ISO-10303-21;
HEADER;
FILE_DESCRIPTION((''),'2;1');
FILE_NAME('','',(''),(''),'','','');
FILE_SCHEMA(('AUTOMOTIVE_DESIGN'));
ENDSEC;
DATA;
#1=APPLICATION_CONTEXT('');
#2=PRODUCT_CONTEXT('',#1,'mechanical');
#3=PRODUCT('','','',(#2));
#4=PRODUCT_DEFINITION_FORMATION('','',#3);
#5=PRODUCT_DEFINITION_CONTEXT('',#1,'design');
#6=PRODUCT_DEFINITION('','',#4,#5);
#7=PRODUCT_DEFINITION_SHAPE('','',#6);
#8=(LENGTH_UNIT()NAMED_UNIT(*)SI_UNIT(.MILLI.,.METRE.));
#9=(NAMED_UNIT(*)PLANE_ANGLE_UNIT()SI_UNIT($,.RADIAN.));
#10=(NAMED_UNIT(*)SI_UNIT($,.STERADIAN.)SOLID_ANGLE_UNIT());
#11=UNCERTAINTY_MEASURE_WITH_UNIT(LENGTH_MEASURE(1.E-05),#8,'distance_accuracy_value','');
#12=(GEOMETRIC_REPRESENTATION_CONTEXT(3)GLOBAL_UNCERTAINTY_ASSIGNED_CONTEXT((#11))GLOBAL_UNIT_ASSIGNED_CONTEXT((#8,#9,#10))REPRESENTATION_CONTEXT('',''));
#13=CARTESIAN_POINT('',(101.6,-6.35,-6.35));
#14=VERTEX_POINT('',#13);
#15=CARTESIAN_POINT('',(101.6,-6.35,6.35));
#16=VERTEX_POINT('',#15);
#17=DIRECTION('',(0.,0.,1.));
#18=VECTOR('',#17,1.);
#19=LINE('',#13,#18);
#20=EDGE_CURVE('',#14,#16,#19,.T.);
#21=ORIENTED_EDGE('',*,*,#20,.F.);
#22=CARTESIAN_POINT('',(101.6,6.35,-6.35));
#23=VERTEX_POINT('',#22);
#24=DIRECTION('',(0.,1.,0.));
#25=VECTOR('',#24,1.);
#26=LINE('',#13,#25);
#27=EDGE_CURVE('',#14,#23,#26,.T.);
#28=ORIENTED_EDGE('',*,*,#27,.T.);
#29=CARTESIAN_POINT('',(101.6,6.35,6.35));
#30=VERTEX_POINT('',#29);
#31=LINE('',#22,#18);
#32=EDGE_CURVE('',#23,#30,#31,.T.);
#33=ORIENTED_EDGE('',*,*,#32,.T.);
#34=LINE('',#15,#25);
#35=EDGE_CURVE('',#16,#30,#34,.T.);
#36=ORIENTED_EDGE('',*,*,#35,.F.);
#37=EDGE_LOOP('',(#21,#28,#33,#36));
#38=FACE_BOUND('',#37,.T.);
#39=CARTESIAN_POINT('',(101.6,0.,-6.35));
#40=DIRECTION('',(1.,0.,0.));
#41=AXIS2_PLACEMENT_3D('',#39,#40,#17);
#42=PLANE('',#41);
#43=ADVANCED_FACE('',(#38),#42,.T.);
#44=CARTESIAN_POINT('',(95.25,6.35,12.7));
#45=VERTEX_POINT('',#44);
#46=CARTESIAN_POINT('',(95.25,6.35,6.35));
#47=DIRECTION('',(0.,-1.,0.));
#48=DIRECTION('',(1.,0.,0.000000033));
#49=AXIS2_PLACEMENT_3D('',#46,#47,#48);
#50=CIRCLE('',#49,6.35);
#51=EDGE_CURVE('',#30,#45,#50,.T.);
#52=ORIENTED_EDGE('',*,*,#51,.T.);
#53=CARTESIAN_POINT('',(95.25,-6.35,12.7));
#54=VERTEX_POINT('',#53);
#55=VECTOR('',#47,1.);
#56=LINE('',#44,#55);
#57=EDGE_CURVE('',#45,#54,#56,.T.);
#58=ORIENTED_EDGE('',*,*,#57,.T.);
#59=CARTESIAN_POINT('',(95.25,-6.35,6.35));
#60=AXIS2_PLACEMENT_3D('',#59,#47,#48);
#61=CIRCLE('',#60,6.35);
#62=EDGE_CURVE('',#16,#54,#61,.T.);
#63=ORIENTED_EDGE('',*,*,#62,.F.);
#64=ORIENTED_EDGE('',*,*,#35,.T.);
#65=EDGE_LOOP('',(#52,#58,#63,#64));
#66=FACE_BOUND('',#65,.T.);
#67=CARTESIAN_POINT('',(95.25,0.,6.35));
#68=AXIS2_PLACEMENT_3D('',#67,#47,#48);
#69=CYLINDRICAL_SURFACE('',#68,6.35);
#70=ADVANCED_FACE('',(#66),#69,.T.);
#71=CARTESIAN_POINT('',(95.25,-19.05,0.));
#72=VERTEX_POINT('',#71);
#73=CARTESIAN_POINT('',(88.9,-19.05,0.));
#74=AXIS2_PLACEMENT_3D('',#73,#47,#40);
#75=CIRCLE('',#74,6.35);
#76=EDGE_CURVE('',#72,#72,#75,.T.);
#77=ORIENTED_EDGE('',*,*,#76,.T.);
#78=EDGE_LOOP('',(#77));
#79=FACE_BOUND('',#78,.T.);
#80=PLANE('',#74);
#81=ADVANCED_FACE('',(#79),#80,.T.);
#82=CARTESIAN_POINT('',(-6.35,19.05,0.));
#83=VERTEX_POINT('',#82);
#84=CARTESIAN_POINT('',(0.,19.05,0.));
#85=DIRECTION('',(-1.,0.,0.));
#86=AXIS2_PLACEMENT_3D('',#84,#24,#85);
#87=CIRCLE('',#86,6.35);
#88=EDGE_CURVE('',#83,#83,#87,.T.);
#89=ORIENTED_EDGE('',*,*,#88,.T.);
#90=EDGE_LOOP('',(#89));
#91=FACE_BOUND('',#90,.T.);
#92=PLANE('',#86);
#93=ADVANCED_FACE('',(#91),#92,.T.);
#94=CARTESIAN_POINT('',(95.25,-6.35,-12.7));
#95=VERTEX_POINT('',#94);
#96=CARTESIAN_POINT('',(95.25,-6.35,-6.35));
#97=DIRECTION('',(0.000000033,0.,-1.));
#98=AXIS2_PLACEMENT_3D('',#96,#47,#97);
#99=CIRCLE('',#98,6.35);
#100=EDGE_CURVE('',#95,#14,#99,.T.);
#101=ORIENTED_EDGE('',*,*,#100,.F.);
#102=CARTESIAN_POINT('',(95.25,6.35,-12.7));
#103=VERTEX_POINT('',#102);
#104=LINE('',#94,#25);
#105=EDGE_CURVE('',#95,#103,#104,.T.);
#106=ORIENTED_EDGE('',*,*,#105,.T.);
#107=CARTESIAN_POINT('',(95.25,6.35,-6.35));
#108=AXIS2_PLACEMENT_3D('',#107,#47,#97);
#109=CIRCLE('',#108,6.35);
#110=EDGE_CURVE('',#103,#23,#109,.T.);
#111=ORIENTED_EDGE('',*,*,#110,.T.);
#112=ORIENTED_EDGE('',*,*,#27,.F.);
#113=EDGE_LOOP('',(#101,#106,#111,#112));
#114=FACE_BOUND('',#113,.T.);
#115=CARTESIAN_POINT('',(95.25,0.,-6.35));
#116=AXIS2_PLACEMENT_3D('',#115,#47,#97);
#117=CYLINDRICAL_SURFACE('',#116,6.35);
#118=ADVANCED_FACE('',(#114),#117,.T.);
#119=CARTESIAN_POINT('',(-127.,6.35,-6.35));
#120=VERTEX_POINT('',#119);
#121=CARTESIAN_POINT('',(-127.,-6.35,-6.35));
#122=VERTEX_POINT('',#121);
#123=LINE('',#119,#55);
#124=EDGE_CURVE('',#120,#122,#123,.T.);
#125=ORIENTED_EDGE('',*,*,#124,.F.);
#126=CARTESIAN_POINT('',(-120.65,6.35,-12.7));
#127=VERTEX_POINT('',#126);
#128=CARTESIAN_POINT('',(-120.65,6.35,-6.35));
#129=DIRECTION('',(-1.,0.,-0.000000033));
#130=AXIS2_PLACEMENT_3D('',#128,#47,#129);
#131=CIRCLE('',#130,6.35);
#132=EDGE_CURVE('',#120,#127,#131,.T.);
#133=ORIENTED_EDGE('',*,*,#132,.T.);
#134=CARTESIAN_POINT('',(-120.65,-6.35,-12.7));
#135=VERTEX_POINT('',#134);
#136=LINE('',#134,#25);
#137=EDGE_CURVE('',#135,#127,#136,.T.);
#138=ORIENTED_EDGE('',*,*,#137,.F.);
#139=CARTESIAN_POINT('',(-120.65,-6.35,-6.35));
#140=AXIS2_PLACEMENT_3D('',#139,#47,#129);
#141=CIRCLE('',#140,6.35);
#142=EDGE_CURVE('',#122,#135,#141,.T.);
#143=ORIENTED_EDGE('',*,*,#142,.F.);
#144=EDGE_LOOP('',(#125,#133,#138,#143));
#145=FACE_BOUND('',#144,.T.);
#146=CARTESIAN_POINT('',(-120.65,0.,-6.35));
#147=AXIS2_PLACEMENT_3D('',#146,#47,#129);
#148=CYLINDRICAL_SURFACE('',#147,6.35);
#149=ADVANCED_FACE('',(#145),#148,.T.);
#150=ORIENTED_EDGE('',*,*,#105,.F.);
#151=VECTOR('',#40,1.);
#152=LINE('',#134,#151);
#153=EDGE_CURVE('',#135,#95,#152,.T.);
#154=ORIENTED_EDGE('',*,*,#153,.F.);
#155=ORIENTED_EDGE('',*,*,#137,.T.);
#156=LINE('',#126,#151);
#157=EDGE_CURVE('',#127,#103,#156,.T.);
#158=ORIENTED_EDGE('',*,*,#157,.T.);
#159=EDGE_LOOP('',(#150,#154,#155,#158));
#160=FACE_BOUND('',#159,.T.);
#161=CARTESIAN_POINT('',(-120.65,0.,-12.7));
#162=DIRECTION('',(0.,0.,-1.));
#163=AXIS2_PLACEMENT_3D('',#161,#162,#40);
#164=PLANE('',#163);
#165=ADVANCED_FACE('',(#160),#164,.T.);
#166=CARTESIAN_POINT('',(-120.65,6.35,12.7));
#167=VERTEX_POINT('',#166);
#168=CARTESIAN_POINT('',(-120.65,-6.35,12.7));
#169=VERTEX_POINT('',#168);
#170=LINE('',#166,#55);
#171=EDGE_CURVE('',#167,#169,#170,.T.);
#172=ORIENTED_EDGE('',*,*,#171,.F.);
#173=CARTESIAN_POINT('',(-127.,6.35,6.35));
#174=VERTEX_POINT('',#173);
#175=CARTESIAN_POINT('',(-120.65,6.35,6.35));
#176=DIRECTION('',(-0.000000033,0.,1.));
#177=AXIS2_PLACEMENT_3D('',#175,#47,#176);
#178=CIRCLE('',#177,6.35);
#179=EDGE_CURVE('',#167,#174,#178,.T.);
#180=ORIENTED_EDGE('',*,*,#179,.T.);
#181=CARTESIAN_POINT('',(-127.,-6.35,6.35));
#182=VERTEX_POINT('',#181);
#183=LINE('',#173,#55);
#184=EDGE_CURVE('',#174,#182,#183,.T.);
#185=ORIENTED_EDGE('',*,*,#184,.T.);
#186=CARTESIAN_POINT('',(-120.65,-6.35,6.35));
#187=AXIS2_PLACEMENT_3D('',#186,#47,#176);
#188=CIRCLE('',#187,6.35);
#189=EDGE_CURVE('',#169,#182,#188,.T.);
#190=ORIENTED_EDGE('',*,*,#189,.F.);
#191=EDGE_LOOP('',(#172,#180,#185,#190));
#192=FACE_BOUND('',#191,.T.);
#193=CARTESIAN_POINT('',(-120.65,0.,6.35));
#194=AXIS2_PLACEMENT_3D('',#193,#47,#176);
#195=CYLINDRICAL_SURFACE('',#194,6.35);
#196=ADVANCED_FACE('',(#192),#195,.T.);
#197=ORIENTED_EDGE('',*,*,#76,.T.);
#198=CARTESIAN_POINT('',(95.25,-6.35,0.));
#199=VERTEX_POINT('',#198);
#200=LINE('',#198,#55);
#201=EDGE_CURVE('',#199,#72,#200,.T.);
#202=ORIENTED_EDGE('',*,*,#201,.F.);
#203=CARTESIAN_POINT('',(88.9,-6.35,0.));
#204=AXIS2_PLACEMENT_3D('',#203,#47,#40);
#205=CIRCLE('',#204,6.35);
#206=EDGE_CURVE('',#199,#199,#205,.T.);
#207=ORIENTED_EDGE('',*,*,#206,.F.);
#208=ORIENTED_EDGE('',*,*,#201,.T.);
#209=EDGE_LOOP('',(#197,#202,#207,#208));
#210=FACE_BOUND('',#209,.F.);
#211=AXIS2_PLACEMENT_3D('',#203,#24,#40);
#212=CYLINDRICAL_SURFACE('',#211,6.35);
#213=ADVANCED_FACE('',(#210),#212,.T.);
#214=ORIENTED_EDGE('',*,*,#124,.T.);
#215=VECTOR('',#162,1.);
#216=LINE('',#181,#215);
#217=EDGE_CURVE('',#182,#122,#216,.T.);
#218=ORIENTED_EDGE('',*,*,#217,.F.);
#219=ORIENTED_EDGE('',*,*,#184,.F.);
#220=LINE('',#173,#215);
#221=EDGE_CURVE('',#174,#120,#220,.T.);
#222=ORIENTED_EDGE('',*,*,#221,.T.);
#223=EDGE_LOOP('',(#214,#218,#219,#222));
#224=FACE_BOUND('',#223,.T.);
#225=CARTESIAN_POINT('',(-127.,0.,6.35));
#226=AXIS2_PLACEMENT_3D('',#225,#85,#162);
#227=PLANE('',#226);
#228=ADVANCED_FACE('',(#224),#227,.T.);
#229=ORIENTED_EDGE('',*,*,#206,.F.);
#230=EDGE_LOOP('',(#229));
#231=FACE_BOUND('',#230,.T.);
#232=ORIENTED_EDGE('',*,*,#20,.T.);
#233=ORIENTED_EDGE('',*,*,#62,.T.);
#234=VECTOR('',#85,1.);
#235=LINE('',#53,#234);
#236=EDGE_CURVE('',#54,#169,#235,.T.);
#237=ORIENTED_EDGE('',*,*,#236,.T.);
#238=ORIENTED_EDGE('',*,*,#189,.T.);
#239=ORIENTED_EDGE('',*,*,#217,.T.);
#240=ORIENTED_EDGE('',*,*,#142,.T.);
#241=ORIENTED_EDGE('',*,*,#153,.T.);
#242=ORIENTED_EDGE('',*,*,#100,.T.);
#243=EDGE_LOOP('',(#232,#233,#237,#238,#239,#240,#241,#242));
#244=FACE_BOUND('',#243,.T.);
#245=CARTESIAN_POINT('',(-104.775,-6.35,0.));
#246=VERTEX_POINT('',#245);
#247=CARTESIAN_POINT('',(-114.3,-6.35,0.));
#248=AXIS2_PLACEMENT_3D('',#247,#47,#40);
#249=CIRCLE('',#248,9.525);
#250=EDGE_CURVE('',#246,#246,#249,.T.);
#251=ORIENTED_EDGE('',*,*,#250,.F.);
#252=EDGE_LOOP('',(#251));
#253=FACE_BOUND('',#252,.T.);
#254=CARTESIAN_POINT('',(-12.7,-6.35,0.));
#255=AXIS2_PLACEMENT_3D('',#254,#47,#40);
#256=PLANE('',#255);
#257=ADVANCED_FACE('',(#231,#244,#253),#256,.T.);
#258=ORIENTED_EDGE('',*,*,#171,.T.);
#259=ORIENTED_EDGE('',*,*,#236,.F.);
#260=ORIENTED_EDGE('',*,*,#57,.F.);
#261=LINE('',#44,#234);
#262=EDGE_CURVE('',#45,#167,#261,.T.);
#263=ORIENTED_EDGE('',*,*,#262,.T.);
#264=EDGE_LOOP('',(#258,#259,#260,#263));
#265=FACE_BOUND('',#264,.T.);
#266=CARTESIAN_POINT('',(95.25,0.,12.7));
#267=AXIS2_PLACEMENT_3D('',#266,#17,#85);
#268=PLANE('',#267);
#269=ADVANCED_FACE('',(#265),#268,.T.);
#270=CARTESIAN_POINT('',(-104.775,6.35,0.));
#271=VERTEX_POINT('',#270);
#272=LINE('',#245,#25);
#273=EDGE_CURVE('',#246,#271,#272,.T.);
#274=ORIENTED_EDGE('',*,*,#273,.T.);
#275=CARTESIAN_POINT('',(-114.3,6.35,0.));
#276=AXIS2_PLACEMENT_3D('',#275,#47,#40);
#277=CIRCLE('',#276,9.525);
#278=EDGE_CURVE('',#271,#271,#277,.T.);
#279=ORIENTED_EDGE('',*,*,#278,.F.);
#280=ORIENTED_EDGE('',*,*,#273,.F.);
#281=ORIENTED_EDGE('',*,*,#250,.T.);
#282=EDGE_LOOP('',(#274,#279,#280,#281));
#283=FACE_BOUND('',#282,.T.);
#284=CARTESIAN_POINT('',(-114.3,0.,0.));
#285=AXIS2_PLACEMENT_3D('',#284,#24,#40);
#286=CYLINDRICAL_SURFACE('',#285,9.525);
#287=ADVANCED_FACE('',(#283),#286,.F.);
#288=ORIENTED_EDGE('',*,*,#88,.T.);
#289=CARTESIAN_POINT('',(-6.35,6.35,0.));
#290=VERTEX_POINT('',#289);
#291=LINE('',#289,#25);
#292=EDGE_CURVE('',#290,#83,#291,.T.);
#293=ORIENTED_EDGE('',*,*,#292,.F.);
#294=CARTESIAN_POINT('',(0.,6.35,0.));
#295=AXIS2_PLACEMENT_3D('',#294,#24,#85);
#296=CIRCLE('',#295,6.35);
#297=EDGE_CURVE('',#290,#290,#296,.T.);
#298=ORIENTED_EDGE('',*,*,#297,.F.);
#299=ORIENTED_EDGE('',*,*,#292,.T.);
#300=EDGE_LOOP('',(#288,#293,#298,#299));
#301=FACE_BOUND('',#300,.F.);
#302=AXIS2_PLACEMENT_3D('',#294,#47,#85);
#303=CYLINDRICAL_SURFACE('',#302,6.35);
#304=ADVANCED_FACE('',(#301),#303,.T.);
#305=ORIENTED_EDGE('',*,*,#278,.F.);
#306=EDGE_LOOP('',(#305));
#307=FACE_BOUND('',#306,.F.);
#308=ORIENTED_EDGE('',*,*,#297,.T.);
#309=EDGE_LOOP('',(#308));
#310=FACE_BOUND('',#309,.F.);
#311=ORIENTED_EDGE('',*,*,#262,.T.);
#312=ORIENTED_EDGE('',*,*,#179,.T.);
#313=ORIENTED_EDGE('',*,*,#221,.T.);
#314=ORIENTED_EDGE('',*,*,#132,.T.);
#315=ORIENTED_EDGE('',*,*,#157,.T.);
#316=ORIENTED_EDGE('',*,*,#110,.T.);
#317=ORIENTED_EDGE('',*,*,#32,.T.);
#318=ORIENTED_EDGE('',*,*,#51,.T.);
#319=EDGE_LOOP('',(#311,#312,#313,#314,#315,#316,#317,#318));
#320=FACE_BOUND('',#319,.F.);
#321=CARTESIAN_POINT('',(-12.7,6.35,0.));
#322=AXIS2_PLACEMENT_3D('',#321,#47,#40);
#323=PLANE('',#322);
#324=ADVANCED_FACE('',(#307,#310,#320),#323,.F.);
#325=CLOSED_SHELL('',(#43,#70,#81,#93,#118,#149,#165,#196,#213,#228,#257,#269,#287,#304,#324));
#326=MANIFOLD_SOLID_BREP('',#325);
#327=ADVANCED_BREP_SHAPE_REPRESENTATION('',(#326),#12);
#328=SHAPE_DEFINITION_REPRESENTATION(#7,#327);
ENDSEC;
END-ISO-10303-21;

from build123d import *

# Parameters (mm, degrees)
F0_R     = 9.525
F1_DEPTH = 6.35
F2_R     = 6.35
F3_DEPTH = 12.7
F4_R     = 6.35
F5_DEPTH = 12.7


with BuildPart() as f1:
    # F0 (on Front) → F1 (new body, symmetric)
    with BuildSketch(Plane.XZ):
        with BuildLine():
            ThreePointArc((101.6, 6.35), (99.740128, 10.840128), (95.25, 12.7))
            Line((95.25, 12.7), (-120.65, 12.7))
            ThreePointArc((-120.65, 12.7), (-125.140128, 10.840128), (-127, 6.35))
            Line((-127, 6.35), (-127, -6.35))
            ThreePointArc((-127, -6.35), (-125.140128, -10.840128), (-120.65, -12.7))
            Line((-120.65, -12.7), (95.25, -12.7))
            ThreePointArc((95.25, -12.7), (99.740128, -10.840128), (101.6, -6.35))
            Line((101.6, -6.35), (101.6, 6.35))
        make_face()
        with Locations((-114.3, 0)):
            Circle(F0_R, mode=Mode.SUBTRACT)
    extrude(amount=F1_DEPTH, both=True)

    # F2 (on face) → F3 (join)
    with BuildSketch(Plane.XZ.offset(6.35)):
        with Locations((88.9, 0)):
            Circle(F2_R)
    extrude(amount=F3_DEPTH)

    # F4 (on face) → F5 (join)
    with BuildSketch(Plane(origin=(0, 6.35, 0), x_dir=(-1, 0, 0), z_dir=(0, 1, 0))):
        Circle(F4_R)
    extrude(amount=F5_DEPTH)


solid = f1.part
